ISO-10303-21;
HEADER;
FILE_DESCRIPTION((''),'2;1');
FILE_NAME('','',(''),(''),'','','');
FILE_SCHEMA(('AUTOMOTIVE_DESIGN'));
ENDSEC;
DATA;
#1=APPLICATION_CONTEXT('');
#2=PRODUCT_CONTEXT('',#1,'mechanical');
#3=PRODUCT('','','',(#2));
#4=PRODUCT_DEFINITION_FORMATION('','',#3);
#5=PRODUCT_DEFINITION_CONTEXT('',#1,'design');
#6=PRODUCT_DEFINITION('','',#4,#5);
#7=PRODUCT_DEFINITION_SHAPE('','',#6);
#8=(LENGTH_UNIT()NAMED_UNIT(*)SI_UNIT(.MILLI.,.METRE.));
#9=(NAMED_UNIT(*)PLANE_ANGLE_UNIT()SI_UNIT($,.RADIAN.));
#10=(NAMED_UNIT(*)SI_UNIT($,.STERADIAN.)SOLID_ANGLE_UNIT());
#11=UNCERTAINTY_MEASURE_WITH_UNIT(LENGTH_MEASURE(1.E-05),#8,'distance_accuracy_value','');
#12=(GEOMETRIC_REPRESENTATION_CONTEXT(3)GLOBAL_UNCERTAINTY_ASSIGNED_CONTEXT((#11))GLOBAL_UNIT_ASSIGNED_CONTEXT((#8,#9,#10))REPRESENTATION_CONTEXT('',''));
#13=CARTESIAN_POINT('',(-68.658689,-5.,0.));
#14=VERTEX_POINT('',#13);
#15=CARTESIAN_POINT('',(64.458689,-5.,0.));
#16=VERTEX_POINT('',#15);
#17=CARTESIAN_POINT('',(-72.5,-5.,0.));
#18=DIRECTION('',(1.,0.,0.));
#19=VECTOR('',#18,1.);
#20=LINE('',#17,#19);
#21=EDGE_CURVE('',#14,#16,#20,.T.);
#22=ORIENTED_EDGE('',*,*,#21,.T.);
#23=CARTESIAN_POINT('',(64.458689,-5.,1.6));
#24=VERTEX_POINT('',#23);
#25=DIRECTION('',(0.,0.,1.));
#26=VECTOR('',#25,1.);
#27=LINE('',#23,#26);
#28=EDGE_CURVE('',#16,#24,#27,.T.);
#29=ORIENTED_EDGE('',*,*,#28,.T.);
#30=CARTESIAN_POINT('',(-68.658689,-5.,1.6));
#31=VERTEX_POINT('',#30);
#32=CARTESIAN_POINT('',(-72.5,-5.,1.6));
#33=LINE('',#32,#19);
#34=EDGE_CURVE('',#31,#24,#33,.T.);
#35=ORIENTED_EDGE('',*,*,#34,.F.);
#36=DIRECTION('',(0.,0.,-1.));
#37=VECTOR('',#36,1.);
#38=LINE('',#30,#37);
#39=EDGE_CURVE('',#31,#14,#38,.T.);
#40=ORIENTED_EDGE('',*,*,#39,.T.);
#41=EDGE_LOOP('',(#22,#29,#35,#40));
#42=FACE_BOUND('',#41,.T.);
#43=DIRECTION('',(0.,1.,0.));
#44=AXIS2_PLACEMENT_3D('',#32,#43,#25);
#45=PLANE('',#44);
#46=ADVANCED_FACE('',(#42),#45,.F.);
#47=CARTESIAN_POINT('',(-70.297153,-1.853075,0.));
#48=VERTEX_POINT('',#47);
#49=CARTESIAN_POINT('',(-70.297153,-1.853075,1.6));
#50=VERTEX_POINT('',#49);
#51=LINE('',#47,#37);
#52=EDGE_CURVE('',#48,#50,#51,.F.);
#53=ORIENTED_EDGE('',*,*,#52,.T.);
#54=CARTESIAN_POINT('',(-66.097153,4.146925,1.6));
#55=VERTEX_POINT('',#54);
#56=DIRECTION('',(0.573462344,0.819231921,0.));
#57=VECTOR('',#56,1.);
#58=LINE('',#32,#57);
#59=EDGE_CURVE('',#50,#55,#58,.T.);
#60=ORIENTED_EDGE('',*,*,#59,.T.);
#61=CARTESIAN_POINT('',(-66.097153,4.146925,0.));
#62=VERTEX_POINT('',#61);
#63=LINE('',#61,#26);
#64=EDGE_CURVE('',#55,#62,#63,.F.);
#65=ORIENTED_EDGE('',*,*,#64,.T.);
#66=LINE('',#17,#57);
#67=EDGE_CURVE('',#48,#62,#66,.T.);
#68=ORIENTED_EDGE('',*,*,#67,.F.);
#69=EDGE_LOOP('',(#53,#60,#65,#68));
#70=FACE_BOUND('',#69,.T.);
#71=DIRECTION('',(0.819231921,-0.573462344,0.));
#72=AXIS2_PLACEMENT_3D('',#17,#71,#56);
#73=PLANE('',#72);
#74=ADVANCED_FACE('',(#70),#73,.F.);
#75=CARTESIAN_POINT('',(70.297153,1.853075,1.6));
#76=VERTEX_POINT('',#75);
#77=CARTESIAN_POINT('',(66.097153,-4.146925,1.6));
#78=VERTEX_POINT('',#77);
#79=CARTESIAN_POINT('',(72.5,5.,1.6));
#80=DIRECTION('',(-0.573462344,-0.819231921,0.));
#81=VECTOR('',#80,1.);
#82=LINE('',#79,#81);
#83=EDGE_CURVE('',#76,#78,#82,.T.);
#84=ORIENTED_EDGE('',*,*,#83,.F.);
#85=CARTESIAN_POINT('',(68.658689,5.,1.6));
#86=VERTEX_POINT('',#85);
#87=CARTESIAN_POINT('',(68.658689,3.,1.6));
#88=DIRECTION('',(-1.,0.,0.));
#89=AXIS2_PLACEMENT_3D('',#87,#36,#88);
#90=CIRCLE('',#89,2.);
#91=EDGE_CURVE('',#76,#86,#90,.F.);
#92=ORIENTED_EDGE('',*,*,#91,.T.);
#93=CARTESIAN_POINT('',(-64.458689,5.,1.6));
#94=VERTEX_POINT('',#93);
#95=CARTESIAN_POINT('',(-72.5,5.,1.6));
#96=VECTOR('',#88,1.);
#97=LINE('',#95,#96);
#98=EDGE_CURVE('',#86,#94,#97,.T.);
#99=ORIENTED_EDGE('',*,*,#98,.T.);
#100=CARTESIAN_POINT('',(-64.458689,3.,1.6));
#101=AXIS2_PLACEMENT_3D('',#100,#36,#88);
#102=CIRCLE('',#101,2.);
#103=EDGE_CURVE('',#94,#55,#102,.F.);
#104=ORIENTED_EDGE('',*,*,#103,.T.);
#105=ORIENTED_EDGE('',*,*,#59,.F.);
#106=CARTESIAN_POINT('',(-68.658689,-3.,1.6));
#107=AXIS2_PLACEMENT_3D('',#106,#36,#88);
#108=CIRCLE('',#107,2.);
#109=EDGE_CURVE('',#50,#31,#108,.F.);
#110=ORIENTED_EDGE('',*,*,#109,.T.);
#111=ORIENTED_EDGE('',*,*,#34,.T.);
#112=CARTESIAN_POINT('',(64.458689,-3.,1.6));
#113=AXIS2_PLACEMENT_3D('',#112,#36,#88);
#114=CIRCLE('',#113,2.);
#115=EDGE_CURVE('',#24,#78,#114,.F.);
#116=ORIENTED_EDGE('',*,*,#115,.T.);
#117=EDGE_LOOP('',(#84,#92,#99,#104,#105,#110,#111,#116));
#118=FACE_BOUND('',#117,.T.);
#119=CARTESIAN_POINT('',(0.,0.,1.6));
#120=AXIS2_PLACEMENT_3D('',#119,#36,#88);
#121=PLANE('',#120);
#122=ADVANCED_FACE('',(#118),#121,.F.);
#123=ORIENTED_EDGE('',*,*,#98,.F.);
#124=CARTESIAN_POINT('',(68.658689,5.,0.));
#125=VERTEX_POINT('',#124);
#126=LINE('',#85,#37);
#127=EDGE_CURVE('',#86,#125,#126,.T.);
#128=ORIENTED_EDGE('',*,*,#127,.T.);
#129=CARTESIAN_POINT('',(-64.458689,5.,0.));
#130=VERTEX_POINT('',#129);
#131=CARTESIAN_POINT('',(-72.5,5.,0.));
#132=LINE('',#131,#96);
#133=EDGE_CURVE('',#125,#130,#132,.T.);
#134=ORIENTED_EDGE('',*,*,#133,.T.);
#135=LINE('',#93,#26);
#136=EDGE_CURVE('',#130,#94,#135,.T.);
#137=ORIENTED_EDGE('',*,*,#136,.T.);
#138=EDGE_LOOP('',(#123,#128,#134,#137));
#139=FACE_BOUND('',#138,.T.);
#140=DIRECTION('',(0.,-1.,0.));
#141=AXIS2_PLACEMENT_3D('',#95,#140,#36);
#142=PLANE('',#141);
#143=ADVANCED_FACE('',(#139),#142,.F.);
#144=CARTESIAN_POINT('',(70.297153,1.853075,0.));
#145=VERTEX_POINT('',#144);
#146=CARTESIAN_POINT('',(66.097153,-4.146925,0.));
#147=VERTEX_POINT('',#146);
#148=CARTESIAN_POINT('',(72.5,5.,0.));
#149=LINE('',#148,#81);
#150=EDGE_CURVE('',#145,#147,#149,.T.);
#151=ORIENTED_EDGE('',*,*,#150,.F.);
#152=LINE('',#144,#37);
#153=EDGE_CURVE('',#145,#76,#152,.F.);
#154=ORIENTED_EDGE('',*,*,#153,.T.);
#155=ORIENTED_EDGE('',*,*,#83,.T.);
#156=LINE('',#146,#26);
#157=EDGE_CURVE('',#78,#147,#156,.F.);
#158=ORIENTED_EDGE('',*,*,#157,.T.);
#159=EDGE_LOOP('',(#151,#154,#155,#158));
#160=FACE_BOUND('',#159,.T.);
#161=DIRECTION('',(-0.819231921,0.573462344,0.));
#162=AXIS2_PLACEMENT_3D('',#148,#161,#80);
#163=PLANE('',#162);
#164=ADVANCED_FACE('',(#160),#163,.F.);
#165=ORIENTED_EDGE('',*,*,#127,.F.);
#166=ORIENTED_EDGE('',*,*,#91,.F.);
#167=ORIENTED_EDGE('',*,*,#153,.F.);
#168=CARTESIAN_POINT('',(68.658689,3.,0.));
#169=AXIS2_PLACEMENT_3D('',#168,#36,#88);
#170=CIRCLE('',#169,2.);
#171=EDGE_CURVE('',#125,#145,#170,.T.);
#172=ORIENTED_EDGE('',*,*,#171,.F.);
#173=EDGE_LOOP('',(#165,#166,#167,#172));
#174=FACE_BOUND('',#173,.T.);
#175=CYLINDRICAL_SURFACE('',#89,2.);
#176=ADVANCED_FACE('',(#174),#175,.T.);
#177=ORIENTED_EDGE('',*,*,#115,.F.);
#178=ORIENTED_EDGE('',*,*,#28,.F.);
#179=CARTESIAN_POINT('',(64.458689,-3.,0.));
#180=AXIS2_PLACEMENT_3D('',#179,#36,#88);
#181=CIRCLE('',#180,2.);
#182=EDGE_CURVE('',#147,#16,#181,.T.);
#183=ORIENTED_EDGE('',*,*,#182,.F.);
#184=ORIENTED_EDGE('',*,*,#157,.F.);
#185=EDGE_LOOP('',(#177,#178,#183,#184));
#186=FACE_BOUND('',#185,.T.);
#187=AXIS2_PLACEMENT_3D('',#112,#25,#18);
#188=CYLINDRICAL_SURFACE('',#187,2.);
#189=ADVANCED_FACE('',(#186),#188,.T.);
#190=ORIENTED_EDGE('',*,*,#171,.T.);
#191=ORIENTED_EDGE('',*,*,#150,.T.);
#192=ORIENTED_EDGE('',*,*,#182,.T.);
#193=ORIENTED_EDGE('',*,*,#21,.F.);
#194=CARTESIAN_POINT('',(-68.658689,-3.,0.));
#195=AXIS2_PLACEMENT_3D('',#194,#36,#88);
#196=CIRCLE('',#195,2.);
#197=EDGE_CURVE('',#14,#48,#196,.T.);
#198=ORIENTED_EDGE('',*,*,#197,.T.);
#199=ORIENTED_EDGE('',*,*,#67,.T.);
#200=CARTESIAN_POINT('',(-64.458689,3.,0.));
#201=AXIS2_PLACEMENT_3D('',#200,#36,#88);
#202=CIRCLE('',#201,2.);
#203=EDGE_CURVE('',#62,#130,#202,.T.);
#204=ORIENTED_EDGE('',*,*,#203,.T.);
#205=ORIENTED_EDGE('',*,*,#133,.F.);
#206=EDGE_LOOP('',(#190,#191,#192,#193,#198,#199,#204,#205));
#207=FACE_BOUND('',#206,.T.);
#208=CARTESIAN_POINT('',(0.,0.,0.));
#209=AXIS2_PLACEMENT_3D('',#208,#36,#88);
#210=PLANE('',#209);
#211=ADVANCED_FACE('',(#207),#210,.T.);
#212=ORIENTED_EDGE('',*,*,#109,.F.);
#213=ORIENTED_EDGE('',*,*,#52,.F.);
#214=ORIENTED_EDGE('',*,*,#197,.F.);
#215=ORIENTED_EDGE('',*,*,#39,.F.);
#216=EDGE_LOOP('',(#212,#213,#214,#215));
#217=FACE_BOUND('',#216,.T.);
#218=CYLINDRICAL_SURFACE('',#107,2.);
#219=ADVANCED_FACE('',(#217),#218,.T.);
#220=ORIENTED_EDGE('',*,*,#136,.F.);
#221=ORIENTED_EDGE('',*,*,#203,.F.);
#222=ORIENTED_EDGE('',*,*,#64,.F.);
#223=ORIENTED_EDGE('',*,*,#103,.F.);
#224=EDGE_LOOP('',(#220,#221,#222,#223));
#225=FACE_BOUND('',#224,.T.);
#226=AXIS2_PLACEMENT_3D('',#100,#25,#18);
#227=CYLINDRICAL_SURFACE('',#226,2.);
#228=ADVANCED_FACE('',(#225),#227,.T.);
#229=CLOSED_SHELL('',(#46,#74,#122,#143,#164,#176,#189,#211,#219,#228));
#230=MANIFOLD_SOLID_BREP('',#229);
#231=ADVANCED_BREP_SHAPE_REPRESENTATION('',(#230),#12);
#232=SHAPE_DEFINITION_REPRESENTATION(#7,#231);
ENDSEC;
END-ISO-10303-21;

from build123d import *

# Parameters (mm, degrees)
SKETCH1_W           = 145
SKETCH1_H           = 10
BOSS_EXTRUDE1_DEPTH = 1.6
CUT_EXTRUDE1_DEPTH  = 73.68982047
FILLET2_R           = 2


with BuildPart() as part:
    # Sketch1 → Boss-Extrude1 (new body)
    with BuildSketch(Plane.XY):
        Rectangle(SKETCH1_W, SKETCH1_H)
    extrude(amount=BOSS_EXTRUDE1_DEPTH)

    # Sketch2 → Cut-Extrude1 (cut, through all)
    with BuildSketch(Plane.XY.offset(1.6)):
        Polygon((-72.5, -5), (-65.5, 5), (-72.5, 5), align=None)
        Polygon((72.5, 5), (65.5, -5), (72.5, -5), align=None)
    extrude(amount=-CUT_EXTRUDE1_DEPTH, mode=Mode.SUBTRACT)

    # Fillet2
    fillet2_edges = [part.edges().sort_by_distance(p)[0] for p in [
        (-65.5, 5, 0.8),
        (65.5, -5, 0.8),
        (-72.5, -5, 0.8),
        (72.5, 5, 0.8),
    ]]
    fillet(fillet2_edges, radius=FILLET2_R)


solid = part.part
